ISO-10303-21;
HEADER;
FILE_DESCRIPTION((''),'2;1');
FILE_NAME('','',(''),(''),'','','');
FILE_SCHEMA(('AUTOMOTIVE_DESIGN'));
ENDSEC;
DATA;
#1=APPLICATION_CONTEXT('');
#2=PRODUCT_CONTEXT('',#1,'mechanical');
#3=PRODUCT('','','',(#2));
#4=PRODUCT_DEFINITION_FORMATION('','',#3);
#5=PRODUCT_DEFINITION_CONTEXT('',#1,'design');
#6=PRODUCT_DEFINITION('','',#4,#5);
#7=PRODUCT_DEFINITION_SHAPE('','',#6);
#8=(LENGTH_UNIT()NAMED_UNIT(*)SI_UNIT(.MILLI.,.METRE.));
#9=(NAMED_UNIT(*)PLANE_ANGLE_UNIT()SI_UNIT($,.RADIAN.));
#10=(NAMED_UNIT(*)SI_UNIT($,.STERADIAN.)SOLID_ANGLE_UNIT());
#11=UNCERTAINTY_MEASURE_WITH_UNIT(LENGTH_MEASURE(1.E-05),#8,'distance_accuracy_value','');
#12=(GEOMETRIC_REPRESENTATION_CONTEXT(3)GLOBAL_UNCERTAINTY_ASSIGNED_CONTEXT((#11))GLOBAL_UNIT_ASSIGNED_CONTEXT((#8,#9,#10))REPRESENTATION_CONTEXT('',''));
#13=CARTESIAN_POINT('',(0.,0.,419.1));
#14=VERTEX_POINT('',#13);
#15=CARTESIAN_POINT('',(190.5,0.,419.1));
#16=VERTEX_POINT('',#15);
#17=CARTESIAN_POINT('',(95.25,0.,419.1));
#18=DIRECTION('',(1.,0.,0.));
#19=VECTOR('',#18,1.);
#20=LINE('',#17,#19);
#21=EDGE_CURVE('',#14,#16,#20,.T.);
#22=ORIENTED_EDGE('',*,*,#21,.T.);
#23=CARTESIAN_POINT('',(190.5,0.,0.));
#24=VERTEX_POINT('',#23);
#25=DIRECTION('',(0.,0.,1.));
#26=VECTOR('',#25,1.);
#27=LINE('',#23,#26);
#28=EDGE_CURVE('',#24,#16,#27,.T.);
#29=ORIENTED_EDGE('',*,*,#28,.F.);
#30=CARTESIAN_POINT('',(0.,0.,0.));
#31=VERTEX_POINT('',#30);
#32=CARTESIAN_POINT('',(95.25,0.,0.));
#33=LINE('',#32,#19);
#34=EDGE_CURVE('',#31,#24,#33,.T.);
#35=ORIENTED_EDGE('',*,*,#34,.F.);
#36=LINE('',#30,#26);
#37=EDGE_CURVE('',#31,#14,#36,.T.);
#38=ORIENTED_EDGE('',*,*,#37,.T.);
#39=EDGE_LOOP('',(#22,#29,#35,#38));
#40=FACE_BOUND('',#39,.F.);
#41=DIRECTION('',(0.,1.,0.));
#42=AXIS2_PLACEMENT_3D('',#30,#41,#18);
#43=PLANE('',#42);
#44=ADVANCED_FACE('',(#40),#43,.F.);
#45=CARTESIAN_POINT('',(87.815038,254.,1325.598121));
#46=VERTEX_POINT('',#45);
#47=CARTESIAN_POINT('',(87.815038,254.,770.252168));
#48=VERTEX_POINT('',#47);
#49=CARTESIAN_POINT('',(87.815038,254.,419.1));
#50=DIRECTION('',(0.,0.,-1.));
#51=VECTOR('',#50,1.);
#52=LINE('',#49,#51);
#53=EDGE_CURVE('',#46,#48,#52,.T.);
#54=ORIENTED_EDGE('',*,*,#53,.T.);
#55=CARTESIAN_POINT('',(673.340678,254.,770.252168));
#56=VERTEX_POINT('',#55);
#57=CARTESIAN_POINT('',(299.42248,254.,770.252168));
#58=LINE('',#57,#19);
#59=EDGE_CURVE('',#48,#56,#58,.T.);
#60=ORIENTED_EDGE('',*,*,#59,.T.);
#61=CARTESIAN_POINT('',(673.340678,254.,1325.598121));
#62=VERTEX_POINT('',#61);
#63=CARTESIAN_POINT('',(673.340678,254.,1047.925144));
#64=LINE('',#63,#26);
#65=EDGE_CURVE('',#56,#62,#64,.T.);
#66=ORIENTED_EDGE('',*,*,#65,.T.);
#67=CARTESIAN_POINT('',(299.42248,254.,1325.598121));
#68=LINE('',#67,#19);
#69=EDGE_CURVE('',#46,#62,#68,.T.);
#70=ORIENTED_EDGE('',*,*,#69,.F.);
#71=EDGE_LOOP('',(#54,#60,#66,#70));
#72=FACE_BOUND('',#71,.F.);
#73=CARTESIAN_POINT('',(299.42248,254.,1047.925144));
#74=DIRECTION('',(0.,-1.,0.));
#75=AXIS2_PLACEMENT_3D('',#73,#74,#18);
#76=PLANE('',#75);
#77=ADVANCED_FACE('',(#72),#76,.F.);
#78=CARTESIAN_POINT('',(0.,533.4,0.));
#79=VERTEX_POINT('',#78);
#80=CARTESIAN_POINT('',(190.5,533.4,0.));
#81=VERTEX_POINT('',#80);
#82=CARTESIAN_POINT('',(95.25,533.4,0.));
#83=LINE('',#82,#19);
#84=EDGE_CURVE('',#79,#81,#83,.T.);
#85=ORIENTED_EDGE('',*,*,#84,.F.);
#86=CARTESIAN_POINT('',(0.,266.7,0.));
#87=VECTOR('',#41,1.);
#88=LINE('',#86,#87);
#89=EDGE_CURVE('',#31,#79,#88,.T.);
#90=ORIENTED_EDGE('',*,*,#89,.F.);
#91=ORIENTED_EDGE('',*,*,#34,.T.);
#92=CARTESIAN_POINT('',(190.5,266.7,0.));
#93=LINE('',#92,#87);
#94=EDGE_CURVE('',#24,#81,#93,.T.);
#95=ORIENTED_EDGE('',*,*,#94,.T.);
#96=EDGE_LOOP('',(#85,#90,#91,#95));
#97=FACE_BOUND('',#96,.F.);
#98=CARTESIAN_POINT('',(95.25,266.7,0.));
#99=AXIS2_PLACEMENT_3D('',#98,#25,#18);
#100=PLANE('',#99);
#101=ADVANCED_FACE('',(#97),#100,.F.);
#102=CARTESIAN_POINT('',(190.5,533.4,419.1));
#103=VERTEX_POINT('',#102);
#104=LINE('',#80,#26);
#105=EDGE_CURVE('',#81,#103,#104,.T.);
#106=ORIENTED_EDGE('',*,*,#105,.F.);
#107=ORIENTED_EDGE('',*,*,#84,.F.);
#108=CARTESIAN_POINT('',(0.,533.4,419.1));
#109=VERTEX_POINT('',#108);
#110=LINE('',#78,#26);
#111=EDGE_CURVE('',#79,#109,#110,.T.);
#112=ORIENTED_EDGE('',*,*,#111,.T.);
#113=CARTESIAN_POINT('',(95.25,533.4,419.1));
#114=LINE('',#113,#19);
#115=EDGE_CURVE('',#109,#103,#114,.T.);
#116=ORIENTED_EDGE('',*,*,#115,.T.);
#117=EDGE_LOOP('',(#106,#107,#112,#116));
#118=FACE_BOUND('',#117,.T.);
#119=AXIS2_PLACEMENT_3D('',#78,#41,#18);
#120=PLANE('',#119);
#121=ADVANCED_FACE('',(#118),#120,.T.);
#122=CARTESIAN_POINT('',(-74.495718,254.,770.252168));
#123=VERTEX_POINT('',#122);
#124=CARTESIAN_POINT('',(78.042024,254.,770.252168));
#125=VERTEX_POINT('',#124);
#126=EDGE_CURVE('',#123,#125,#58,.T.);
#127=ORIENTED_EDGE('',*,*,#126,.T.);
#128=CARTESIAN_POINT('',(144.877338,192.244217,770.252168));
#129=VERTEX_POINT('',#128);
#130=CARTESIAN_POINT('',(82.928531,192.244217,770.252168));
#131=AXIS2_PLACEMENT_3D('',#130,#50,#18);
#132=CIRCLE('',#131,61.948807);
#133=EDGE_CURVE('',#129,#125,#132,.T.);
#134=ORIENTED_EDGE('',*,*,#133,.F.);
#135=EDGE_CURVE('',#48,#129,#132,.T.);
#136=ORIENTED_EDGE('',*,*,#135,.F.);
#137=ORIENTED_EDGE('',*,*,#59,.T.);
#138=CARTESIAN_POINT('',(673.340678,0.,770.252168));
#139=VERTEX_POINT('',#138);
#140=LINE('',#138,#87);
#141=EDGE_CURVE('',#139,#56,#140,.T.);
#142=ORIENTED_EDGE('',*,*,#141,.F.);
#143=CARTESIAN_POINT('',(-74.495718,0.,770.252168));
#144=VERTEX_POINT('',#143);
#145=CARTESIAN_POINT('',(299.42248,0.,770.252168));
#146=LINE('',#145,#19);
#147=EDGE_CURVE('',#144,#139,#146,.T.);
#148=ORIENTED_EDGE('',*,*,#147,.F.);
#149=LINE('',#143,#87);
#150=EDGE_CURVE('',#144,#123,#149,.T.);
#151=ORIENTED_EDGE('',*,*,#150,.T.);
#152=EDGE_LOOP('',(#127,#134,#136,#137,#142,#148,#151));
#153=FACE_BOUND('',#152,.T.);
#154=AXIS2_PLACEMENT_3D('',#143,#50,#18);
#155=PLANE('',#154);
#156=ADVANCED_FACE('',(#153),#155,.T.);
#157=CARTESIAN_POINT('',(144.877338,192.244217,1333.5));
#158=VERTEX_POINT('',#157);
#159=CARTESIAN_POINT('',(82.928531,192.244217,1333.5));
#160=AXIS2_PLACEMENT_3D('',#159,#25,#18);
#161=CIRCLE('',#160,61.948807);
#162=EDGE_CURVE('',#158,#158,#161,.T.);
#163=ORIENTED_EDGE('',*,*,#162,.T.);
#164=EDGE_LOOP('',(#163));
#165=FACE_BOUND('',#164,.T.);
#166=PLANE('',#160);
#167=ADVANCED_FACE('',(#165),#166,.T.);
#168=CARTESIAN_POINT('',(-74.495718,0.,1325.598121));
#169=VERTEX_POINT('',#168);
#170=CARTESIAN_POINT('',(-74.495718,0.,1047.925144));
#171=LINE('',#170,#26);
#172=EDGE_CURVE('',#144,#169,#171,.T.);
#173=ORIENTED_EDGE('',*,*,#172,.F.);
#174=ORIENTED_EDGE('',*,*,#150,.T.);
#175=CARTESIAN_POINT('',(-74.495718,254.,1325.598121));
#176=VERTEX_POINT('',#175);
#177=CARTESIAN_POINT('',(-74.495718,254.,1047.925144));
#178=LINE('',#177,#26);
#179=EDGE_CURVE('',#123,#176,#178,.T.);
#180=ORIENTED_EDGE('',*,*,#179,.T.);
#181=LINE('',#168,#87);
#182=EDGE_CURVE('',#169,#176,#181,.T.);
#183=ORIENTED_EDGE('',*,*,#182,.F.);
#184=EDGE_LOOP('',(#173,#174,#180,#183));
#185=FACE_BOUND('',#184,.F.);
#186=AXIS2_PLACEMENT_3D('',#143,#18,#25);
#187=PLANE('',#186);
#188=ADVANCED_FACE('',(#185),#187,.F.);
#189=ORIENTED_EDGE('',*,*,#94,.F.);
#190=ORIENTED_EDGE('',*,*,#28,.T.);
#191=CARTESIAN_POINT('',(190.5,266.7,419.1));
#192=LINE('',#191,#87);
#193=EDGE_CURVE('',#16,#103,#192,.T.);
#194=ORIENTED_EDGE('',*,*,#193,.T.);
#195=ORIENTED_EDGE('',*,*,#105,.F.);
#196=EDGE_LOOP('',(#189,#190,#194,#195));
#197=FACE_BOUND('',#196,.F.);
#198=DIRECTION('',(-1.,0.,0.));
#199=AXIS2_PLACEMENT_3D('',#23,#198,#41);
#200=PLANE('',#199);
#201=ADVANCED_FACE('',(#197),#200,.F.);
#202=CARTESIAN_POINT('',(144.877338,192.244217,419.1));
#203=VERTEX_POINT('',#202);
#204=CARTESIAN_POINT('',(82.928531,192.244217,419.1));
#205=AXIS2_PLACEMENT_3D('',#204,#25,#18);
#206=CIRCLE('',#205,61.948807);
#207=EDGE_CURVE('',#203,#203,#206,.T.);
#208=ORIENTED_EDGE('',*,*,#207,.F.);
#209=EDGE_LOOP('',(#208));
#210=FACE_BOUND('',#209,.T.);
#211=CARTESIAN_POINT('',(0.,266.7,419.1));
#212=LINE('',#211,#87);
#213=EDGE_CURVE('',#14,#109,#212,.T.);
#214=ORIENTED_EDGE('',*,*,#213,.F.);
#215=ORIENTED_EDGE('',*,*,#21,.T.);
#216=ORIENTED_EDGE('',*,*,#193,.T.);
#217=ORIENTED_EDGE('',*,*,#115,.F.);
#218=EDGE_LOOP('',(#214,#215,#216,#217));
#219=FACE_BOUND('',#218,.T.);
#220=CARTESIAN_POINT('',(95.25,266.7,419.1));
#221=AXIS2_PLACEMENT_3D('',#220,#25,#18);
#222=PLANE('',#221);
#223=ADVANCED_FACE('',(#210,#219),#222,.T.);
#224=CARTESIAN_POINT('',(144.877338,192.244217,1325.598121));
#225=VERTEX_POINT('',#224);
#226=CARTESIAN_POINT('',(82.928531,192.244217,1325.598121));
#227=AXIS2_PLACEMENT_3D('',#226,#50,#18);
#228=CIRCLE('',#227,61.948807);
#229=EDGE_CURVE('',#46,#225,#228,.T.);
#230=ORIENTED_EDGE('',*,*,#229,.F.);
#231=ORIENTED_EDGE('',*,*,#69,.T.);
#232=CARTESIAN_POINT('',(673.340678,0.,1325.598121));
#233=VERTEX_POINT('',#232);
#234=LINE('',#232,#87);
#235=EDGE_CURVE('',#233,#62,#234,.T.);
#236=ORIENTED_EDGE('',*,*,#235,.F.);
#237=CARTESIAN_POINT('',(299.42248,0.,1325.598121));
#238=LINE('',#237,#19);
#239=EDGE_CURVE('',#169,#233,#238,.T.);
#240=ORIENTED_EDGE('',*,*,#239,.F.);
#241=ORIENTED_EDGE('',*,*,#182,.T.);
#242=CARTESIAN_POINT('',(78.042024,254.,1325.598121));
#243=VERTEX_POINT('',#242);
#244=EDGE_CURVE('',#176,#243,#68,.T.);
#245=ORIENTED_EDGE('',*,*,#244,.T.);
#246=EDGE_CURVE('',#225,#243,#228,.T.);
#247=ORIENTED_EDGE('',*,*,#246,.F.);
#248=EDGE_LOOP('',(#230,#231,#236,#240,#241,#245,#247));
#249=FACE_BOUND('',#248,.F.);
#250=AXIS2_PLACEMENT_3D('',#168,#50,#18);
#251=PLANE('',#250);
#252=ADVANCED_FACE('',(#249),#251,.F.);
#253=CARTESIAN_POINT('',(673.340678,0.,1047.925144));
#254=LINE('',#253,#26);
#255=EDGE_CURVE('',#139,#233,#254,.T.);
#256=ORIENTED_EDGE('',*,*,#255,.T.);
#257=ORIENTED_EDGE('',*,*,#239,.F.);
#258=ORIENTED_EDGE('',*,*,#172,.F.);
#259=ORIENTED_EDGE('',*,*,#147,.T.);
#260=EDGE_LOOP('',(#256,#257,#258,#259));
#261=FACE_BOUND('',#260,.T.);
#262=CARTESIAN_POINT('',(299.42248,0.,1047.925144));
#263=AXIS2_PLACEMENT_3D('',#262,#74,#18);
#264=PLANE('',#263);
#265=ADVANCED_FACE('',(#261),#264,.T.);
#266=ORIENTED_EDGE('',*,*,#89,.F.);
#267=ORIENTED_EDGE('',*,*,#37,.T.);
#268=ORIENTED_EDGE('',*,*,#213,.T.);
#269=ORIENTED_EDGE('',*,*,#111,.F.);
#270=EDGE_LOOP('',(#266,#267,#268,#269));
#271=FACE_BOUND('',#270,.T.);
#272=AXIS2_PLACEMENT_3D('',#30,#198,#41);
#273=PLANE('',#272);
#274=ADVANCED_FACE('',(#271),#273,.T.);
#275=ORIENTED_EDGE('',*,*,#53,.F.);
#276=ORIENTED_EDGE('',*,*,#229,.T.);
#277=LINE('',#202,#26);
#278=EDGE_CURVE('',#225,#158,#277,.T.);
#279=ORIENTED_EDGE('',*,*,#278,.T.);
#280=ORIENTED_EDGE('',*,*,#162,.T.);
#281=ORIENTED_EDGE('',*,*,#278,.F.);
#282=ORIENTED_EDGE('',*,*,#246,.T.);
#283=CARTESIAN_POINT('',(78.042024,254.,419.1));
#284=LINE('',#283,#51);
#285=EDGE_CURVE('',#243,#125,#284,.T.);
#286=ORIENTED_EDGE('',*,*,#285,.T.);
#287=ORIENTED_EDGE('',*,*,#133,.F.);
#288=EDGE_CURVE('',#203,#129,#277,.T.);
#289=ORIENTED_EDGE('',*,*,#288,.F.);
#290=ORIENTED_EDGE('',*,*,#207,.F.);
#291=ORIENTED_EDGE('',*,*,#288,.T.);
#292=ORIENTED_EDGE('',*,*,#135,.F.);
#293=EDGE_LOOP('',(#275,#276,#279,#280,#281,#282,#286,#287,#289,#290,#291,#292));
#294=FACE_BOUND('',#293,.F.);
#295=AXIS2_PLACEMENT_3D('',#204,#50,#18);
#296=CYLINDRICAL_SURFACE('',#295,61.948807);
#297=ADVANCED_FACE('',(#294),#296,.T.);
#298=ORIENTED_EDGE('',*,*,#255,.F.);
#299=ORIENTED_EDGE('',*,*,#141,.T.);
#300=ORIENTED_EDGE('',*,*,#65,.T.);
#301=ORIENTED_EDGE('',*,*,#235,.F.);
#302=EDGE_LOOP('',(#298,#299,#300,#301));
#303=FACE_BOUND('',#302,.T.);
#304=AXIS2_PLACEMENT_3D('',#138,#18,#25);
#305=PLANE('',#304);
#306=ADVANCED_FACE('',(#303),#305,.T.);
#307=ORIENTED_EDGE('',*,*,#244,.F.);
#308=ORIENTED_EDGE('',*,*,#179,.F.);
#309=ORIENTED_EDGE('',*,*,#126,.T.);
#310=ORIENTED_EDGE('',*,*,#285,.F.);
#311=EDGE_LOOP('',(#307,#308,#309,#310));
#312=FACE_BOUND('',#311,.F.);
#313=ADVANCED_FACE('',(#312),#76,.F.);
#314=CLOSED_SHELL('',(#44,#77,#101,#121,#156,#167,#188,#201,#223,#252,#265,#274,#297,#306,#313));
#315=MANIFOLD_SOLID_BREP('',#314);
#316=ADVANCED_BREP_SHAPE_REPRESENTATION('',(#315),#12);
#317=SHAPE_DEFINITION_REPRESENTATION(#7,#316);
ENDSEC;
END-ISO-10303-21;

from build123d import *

# Parameters (mm, degrees)
F0_W     = 190.5
F0_H     = 533.4
F1_DEPTH = 419.1
F2_R     = 61.948807
F3_DEPTH = 914.4
F4_W     = 747.836396
F4_H     = 555.345953
F5_DEPTH = 254


with BuildPart() as f1:
    # F0 (on Top) → F1 (new body)
    with BuildSketch(Plane.XY):
        with Locations((95.25, 266.7)):
            Rectangle(F0_W, F0_H)
    extrude(amount=F1_DEPTH)

    # F2 (on face) → F3 (join)
    with BuildSketch(Plane.XY.offset(419.1)):
        with Locations((82.928531, 192.244217)):
            Circle(F2_R)
    extrude(amount=F3_DEPTH)

    # F4 (on face) → F5 (join)
    with BuildSketch(Plane.XZ):
        with Locations((299.42248, 1047.925144)):
            Rectangle(F4_W, F4_H)
    extrude(amount=-F5_DEPTH)


solid = f1.part
